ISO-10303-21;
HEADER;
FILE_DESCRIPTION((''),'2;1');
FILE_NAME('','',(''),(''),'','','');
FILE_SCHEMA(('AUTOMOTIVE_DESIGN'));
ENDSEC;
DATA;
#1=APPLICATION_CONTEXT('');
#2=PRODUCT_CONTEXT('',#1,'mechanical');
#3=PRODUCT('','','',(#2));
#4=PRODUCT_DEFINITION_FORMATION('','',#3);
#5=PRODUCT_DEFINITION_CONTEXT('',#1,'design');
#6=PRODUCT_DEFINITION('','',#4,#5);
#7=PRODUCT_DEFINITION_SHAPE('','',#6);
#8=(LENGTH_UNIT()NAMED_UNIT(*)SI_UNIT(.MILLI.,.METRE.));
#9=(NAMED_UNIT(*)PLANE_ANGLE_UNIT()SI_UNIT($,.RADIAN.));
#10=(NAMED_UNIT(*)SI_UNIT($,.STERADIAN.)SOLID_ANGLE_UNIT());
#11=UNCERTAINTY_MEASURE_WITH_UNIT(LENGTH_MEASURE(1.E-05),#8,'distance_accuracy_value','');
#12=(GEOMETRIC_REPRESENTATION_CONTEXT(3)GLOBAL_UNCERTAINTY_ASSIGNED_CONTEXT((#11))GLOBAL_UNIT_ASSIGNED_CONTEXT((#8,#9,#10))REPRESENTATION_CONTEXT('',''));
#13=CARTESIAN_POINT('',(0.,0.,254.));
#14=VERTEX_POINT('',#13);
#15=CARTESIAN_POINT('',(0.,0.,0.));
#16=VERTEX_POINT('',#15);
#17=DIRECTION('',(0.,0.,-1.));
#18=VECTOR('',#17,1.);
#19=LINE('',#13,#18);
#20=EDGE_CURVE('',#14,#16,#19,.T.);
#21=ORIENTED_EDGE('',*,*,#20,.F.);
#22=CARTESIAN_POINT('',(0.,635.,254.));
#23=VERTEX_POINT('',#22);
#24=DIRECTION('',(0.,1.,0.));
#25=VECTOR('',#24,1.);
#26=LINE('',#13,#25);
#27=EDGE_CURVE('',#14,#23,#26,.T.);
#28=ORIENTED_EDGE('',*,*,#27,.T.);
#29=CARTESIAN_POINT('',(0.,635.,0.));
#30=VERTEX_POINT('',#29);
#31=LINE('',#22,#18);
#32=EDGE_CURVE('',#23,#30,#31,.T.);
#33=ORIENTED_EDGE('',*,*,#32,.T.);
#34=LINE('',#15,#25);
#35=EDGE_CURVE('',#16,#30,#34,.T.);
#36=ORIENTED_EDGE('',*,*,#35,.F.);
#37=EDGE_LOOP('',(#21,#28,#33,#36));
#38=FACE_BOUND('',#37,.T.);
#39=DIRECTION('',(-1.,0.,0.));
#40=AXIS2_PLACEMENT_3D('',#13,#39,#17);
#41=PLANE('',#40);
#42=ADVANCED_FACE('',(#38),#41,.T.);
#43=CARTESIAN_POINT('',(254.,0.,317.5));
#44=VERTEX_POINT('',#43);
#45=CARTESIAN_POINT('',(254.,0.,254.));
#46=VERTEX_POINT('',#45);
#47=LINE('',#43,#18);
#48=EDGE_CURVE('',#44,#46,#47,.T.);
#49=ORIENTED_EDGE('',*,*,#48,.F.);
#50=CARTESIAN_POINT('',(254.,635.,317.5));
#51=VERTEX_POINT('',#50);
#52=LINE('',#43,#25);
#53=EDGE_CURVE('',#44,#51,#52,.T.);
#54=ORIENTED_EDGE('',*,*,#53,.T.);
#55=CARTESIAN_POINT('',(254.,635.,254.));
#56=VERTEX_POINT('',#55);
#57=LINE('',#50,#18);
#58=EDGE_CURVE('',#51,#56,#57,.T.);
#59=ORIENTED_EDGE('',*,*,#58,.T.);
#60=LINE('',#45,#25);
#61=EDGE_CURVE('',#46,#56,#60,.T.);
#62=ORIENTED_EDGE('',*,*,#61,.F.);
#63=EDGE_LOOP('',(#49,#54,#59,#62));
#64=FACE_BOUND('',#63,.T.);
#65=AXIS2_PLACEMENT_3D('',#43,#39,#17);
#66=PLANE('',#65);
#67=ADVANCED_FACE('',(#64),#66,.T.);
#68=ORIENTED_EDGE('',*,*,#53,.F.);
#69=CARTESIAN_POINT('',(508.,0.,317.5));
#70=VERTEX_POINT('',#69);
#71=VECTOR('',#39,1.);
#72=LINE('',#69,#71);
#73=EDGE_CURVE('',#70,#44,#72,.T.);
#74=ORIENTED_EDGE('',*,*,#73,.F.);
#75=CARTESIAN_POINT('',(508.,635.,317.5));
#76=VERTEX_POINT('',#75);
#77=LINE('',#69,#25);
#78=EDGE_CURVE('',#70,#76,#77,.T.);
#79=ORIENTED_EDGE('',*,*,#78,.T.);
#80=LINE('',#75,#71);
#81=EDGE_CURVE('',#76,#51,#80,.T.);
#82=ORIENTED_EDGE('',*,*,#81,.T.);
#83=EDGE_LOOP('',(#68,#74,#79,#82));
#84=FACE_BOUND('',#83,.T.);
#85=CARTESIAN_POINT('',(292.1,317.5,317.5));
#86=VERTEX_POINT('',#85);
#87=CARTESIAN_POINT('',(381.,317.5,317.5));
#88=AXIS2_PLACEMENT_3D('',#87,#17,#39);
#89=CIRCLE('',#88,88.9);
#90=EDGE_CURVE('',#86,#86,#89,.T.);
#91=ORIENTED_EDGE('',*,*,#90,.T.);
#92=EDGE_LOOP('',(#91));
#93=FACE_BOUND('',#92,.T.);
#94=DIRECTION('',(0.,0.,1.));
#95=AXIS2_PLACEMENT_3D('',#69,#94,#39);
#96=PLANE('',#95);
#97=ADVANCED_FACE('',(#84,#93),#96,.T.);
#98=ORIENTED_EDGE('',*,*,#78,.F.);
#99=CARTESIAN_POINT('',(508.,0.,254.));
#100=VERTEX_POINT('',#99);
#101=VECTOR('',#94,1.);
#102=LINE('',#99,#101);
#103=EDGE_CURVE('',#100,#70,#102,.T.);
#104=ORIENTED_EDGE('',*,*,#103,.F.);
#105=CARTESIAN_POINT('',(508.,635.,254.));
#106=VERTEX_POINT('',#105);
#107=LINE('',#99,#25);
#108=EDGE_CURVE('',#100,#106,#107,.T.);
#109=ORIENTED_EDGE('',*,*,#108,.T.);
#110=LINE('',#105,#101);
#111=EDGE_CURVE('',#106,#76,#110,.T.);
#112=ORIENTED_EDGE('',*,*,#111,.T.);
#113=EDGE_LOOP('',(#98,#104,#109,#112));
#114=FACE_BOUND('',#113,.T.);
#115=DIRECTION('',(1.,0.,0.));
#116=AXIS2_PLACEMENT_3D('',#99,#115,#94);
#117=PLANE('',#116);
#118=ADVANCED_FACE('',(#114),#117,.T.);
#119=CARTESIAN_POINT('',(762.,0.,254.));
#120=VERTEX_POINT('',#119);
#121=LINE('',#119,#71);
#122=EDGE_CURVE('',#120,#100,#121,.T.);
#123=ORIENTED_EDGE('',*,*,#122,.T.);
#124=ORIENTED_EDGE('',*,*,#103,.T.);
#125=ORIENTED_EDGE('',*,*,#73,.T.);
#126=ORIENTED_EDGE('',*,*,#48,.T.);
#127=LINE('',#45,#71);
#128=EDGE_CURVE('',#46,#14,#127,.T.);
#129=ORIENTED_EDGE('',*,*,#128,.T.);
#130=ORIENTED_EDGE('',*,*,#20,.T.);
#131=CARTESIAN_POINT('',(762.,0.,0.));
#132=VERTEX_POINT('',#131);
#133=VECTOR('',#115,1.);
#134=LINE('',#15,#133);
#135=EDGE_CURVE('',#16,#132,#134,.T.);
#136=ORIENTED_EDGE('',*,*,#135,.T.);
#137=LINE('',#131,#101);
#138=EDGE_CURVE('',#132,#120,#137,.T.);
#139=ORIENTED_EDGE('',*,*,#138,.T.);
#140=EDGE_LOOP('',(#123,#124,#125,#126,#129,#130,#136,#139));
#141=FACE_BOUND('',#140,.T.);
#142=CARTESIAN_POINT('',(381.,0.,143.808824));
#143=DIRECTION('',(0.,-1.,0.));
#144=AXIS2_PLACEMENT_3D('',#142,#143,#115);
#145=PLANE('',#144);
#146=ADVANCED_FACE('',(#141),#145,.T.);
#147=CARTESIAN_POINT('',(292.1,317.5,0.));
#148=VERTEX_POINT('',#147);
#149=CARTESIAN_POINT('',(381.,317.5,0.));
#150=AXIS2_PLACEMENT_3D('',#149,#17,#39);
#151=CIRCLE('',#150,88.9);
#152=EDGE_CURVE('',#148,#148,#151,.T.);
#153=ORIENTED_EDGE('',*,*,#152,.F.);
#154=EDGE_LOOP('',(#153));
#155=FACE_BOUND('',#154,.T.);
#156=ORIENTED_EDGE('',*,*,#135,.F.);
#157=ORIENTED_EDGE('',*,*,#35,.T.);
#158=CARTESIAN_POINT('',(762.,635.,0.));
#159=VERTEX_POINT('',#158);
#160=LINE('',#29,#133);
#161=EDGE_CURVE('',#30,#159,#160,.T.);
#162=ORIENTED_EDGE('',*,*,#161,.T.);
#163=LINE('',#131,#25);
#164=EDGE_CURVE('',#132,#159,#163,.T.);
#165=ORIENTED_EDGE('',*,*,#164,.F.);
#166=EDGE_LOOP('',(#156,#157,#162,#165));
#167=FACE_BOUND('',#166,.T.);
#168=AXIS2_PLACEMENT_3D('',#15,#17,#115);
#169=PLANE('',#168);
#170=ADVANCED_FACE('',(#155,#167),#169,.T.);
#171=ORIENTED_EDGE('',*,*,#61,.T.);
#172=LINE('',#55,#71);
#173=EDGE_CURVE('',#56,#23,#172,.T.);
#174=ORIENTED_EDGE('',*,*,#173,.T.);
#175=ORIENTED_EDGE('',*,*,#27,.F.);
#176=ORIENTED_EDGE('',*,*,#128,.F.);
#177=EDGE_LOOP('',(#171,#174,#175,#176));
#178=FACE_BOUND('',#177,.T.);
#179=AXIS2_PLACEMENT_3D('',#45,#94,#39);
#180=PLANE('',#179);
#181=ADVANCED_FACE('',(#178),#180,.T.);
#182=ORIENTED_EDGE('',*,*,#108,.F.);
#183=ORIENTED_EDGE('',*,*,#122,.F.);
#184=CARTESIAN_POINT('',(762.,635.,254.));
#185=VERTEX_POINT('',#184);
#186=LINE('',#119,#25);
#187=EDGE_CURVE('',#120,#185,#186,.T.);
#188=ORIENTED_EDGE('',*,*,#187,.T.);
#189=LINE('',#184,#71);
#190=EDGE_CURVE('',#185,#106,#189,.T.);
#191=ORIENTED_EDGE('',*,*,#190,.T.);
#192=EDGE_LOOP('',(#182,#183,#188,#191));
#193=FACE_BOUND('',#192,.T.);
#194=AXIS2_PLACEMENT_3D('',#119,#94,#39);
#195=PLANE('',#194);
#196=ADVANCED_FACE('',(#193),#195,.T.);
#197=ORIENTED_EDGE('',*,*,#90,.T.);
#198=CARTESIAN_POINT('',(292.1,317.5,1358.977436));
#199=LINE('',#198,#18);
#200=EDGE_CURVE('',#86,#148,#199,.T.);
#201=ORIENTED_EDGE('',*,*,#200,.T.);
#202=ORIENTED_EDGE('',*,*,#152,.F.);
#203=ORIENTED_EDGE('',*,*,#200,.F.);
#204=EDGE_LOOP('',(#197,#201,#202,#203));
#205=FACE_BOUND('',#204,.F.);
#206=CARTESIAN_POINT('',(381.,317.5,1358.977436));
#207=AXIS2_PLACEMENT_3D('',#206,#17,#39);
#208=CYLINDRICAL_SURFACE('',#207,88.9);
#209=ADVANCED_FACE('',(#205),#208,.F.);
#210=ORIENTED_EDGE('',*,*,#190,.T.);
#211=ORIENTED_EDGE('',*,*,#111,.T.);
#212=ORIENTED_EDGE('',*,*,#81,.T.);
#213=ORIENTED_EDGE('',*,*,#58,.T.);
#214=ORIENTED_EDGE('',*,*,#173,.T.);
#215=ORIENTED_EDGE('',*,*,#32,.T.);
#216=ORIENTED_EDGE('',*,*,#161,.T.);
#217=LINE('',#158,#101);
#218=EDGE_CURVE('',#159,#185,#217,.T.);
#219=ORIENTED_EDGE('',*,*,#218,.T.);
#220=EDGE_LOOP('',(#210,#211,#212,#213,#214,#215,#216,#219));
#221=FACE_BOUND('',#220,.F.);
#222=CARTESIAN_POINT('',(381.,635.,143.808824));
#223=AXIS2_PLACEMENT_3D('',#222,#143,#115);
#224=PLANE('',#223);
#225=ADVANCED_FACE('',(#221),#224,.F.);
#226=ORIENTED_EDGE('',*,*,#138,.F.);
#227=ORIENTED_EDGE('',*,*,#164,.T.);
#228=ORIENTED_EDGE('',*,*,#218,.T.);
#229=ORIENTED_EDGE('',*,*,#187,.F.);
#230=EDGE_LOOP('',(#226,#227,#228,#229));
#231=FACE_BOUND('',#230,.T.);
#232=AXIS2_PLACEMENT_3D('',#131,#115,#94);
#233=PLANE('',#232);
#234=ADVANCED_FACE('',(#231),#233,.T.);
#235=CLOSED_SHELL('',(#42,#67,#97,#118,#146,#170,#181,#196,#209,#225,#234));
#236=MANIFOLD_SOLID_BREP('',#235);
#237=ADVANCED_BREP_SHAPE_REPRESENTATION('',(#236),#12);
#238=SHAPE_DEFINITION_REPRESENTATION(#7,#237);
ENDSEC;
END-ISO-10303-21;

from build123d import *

# Parameters (mm, degrees)
F1_DEPTH = 635
F3_D     = 177.8


with BuildPart() as f1:
    # F0 (on Front) → F1 (new body)
    with BuildSketch(Plane.XZ):
        Polygon((0, 254), (0, 0), (762, 0), (762, 254), (508, 254), (508, 317.5), (254, 317.5), (254, 254), align=None)
    extrude(amount=-F1_DEPTH)

    # F3 (through all)
    with Locations(Plane.XY.offset(317.5)):
        with Locations((381, 317.5)):
            Hole(F3_D / 2)


solid = f1.part
